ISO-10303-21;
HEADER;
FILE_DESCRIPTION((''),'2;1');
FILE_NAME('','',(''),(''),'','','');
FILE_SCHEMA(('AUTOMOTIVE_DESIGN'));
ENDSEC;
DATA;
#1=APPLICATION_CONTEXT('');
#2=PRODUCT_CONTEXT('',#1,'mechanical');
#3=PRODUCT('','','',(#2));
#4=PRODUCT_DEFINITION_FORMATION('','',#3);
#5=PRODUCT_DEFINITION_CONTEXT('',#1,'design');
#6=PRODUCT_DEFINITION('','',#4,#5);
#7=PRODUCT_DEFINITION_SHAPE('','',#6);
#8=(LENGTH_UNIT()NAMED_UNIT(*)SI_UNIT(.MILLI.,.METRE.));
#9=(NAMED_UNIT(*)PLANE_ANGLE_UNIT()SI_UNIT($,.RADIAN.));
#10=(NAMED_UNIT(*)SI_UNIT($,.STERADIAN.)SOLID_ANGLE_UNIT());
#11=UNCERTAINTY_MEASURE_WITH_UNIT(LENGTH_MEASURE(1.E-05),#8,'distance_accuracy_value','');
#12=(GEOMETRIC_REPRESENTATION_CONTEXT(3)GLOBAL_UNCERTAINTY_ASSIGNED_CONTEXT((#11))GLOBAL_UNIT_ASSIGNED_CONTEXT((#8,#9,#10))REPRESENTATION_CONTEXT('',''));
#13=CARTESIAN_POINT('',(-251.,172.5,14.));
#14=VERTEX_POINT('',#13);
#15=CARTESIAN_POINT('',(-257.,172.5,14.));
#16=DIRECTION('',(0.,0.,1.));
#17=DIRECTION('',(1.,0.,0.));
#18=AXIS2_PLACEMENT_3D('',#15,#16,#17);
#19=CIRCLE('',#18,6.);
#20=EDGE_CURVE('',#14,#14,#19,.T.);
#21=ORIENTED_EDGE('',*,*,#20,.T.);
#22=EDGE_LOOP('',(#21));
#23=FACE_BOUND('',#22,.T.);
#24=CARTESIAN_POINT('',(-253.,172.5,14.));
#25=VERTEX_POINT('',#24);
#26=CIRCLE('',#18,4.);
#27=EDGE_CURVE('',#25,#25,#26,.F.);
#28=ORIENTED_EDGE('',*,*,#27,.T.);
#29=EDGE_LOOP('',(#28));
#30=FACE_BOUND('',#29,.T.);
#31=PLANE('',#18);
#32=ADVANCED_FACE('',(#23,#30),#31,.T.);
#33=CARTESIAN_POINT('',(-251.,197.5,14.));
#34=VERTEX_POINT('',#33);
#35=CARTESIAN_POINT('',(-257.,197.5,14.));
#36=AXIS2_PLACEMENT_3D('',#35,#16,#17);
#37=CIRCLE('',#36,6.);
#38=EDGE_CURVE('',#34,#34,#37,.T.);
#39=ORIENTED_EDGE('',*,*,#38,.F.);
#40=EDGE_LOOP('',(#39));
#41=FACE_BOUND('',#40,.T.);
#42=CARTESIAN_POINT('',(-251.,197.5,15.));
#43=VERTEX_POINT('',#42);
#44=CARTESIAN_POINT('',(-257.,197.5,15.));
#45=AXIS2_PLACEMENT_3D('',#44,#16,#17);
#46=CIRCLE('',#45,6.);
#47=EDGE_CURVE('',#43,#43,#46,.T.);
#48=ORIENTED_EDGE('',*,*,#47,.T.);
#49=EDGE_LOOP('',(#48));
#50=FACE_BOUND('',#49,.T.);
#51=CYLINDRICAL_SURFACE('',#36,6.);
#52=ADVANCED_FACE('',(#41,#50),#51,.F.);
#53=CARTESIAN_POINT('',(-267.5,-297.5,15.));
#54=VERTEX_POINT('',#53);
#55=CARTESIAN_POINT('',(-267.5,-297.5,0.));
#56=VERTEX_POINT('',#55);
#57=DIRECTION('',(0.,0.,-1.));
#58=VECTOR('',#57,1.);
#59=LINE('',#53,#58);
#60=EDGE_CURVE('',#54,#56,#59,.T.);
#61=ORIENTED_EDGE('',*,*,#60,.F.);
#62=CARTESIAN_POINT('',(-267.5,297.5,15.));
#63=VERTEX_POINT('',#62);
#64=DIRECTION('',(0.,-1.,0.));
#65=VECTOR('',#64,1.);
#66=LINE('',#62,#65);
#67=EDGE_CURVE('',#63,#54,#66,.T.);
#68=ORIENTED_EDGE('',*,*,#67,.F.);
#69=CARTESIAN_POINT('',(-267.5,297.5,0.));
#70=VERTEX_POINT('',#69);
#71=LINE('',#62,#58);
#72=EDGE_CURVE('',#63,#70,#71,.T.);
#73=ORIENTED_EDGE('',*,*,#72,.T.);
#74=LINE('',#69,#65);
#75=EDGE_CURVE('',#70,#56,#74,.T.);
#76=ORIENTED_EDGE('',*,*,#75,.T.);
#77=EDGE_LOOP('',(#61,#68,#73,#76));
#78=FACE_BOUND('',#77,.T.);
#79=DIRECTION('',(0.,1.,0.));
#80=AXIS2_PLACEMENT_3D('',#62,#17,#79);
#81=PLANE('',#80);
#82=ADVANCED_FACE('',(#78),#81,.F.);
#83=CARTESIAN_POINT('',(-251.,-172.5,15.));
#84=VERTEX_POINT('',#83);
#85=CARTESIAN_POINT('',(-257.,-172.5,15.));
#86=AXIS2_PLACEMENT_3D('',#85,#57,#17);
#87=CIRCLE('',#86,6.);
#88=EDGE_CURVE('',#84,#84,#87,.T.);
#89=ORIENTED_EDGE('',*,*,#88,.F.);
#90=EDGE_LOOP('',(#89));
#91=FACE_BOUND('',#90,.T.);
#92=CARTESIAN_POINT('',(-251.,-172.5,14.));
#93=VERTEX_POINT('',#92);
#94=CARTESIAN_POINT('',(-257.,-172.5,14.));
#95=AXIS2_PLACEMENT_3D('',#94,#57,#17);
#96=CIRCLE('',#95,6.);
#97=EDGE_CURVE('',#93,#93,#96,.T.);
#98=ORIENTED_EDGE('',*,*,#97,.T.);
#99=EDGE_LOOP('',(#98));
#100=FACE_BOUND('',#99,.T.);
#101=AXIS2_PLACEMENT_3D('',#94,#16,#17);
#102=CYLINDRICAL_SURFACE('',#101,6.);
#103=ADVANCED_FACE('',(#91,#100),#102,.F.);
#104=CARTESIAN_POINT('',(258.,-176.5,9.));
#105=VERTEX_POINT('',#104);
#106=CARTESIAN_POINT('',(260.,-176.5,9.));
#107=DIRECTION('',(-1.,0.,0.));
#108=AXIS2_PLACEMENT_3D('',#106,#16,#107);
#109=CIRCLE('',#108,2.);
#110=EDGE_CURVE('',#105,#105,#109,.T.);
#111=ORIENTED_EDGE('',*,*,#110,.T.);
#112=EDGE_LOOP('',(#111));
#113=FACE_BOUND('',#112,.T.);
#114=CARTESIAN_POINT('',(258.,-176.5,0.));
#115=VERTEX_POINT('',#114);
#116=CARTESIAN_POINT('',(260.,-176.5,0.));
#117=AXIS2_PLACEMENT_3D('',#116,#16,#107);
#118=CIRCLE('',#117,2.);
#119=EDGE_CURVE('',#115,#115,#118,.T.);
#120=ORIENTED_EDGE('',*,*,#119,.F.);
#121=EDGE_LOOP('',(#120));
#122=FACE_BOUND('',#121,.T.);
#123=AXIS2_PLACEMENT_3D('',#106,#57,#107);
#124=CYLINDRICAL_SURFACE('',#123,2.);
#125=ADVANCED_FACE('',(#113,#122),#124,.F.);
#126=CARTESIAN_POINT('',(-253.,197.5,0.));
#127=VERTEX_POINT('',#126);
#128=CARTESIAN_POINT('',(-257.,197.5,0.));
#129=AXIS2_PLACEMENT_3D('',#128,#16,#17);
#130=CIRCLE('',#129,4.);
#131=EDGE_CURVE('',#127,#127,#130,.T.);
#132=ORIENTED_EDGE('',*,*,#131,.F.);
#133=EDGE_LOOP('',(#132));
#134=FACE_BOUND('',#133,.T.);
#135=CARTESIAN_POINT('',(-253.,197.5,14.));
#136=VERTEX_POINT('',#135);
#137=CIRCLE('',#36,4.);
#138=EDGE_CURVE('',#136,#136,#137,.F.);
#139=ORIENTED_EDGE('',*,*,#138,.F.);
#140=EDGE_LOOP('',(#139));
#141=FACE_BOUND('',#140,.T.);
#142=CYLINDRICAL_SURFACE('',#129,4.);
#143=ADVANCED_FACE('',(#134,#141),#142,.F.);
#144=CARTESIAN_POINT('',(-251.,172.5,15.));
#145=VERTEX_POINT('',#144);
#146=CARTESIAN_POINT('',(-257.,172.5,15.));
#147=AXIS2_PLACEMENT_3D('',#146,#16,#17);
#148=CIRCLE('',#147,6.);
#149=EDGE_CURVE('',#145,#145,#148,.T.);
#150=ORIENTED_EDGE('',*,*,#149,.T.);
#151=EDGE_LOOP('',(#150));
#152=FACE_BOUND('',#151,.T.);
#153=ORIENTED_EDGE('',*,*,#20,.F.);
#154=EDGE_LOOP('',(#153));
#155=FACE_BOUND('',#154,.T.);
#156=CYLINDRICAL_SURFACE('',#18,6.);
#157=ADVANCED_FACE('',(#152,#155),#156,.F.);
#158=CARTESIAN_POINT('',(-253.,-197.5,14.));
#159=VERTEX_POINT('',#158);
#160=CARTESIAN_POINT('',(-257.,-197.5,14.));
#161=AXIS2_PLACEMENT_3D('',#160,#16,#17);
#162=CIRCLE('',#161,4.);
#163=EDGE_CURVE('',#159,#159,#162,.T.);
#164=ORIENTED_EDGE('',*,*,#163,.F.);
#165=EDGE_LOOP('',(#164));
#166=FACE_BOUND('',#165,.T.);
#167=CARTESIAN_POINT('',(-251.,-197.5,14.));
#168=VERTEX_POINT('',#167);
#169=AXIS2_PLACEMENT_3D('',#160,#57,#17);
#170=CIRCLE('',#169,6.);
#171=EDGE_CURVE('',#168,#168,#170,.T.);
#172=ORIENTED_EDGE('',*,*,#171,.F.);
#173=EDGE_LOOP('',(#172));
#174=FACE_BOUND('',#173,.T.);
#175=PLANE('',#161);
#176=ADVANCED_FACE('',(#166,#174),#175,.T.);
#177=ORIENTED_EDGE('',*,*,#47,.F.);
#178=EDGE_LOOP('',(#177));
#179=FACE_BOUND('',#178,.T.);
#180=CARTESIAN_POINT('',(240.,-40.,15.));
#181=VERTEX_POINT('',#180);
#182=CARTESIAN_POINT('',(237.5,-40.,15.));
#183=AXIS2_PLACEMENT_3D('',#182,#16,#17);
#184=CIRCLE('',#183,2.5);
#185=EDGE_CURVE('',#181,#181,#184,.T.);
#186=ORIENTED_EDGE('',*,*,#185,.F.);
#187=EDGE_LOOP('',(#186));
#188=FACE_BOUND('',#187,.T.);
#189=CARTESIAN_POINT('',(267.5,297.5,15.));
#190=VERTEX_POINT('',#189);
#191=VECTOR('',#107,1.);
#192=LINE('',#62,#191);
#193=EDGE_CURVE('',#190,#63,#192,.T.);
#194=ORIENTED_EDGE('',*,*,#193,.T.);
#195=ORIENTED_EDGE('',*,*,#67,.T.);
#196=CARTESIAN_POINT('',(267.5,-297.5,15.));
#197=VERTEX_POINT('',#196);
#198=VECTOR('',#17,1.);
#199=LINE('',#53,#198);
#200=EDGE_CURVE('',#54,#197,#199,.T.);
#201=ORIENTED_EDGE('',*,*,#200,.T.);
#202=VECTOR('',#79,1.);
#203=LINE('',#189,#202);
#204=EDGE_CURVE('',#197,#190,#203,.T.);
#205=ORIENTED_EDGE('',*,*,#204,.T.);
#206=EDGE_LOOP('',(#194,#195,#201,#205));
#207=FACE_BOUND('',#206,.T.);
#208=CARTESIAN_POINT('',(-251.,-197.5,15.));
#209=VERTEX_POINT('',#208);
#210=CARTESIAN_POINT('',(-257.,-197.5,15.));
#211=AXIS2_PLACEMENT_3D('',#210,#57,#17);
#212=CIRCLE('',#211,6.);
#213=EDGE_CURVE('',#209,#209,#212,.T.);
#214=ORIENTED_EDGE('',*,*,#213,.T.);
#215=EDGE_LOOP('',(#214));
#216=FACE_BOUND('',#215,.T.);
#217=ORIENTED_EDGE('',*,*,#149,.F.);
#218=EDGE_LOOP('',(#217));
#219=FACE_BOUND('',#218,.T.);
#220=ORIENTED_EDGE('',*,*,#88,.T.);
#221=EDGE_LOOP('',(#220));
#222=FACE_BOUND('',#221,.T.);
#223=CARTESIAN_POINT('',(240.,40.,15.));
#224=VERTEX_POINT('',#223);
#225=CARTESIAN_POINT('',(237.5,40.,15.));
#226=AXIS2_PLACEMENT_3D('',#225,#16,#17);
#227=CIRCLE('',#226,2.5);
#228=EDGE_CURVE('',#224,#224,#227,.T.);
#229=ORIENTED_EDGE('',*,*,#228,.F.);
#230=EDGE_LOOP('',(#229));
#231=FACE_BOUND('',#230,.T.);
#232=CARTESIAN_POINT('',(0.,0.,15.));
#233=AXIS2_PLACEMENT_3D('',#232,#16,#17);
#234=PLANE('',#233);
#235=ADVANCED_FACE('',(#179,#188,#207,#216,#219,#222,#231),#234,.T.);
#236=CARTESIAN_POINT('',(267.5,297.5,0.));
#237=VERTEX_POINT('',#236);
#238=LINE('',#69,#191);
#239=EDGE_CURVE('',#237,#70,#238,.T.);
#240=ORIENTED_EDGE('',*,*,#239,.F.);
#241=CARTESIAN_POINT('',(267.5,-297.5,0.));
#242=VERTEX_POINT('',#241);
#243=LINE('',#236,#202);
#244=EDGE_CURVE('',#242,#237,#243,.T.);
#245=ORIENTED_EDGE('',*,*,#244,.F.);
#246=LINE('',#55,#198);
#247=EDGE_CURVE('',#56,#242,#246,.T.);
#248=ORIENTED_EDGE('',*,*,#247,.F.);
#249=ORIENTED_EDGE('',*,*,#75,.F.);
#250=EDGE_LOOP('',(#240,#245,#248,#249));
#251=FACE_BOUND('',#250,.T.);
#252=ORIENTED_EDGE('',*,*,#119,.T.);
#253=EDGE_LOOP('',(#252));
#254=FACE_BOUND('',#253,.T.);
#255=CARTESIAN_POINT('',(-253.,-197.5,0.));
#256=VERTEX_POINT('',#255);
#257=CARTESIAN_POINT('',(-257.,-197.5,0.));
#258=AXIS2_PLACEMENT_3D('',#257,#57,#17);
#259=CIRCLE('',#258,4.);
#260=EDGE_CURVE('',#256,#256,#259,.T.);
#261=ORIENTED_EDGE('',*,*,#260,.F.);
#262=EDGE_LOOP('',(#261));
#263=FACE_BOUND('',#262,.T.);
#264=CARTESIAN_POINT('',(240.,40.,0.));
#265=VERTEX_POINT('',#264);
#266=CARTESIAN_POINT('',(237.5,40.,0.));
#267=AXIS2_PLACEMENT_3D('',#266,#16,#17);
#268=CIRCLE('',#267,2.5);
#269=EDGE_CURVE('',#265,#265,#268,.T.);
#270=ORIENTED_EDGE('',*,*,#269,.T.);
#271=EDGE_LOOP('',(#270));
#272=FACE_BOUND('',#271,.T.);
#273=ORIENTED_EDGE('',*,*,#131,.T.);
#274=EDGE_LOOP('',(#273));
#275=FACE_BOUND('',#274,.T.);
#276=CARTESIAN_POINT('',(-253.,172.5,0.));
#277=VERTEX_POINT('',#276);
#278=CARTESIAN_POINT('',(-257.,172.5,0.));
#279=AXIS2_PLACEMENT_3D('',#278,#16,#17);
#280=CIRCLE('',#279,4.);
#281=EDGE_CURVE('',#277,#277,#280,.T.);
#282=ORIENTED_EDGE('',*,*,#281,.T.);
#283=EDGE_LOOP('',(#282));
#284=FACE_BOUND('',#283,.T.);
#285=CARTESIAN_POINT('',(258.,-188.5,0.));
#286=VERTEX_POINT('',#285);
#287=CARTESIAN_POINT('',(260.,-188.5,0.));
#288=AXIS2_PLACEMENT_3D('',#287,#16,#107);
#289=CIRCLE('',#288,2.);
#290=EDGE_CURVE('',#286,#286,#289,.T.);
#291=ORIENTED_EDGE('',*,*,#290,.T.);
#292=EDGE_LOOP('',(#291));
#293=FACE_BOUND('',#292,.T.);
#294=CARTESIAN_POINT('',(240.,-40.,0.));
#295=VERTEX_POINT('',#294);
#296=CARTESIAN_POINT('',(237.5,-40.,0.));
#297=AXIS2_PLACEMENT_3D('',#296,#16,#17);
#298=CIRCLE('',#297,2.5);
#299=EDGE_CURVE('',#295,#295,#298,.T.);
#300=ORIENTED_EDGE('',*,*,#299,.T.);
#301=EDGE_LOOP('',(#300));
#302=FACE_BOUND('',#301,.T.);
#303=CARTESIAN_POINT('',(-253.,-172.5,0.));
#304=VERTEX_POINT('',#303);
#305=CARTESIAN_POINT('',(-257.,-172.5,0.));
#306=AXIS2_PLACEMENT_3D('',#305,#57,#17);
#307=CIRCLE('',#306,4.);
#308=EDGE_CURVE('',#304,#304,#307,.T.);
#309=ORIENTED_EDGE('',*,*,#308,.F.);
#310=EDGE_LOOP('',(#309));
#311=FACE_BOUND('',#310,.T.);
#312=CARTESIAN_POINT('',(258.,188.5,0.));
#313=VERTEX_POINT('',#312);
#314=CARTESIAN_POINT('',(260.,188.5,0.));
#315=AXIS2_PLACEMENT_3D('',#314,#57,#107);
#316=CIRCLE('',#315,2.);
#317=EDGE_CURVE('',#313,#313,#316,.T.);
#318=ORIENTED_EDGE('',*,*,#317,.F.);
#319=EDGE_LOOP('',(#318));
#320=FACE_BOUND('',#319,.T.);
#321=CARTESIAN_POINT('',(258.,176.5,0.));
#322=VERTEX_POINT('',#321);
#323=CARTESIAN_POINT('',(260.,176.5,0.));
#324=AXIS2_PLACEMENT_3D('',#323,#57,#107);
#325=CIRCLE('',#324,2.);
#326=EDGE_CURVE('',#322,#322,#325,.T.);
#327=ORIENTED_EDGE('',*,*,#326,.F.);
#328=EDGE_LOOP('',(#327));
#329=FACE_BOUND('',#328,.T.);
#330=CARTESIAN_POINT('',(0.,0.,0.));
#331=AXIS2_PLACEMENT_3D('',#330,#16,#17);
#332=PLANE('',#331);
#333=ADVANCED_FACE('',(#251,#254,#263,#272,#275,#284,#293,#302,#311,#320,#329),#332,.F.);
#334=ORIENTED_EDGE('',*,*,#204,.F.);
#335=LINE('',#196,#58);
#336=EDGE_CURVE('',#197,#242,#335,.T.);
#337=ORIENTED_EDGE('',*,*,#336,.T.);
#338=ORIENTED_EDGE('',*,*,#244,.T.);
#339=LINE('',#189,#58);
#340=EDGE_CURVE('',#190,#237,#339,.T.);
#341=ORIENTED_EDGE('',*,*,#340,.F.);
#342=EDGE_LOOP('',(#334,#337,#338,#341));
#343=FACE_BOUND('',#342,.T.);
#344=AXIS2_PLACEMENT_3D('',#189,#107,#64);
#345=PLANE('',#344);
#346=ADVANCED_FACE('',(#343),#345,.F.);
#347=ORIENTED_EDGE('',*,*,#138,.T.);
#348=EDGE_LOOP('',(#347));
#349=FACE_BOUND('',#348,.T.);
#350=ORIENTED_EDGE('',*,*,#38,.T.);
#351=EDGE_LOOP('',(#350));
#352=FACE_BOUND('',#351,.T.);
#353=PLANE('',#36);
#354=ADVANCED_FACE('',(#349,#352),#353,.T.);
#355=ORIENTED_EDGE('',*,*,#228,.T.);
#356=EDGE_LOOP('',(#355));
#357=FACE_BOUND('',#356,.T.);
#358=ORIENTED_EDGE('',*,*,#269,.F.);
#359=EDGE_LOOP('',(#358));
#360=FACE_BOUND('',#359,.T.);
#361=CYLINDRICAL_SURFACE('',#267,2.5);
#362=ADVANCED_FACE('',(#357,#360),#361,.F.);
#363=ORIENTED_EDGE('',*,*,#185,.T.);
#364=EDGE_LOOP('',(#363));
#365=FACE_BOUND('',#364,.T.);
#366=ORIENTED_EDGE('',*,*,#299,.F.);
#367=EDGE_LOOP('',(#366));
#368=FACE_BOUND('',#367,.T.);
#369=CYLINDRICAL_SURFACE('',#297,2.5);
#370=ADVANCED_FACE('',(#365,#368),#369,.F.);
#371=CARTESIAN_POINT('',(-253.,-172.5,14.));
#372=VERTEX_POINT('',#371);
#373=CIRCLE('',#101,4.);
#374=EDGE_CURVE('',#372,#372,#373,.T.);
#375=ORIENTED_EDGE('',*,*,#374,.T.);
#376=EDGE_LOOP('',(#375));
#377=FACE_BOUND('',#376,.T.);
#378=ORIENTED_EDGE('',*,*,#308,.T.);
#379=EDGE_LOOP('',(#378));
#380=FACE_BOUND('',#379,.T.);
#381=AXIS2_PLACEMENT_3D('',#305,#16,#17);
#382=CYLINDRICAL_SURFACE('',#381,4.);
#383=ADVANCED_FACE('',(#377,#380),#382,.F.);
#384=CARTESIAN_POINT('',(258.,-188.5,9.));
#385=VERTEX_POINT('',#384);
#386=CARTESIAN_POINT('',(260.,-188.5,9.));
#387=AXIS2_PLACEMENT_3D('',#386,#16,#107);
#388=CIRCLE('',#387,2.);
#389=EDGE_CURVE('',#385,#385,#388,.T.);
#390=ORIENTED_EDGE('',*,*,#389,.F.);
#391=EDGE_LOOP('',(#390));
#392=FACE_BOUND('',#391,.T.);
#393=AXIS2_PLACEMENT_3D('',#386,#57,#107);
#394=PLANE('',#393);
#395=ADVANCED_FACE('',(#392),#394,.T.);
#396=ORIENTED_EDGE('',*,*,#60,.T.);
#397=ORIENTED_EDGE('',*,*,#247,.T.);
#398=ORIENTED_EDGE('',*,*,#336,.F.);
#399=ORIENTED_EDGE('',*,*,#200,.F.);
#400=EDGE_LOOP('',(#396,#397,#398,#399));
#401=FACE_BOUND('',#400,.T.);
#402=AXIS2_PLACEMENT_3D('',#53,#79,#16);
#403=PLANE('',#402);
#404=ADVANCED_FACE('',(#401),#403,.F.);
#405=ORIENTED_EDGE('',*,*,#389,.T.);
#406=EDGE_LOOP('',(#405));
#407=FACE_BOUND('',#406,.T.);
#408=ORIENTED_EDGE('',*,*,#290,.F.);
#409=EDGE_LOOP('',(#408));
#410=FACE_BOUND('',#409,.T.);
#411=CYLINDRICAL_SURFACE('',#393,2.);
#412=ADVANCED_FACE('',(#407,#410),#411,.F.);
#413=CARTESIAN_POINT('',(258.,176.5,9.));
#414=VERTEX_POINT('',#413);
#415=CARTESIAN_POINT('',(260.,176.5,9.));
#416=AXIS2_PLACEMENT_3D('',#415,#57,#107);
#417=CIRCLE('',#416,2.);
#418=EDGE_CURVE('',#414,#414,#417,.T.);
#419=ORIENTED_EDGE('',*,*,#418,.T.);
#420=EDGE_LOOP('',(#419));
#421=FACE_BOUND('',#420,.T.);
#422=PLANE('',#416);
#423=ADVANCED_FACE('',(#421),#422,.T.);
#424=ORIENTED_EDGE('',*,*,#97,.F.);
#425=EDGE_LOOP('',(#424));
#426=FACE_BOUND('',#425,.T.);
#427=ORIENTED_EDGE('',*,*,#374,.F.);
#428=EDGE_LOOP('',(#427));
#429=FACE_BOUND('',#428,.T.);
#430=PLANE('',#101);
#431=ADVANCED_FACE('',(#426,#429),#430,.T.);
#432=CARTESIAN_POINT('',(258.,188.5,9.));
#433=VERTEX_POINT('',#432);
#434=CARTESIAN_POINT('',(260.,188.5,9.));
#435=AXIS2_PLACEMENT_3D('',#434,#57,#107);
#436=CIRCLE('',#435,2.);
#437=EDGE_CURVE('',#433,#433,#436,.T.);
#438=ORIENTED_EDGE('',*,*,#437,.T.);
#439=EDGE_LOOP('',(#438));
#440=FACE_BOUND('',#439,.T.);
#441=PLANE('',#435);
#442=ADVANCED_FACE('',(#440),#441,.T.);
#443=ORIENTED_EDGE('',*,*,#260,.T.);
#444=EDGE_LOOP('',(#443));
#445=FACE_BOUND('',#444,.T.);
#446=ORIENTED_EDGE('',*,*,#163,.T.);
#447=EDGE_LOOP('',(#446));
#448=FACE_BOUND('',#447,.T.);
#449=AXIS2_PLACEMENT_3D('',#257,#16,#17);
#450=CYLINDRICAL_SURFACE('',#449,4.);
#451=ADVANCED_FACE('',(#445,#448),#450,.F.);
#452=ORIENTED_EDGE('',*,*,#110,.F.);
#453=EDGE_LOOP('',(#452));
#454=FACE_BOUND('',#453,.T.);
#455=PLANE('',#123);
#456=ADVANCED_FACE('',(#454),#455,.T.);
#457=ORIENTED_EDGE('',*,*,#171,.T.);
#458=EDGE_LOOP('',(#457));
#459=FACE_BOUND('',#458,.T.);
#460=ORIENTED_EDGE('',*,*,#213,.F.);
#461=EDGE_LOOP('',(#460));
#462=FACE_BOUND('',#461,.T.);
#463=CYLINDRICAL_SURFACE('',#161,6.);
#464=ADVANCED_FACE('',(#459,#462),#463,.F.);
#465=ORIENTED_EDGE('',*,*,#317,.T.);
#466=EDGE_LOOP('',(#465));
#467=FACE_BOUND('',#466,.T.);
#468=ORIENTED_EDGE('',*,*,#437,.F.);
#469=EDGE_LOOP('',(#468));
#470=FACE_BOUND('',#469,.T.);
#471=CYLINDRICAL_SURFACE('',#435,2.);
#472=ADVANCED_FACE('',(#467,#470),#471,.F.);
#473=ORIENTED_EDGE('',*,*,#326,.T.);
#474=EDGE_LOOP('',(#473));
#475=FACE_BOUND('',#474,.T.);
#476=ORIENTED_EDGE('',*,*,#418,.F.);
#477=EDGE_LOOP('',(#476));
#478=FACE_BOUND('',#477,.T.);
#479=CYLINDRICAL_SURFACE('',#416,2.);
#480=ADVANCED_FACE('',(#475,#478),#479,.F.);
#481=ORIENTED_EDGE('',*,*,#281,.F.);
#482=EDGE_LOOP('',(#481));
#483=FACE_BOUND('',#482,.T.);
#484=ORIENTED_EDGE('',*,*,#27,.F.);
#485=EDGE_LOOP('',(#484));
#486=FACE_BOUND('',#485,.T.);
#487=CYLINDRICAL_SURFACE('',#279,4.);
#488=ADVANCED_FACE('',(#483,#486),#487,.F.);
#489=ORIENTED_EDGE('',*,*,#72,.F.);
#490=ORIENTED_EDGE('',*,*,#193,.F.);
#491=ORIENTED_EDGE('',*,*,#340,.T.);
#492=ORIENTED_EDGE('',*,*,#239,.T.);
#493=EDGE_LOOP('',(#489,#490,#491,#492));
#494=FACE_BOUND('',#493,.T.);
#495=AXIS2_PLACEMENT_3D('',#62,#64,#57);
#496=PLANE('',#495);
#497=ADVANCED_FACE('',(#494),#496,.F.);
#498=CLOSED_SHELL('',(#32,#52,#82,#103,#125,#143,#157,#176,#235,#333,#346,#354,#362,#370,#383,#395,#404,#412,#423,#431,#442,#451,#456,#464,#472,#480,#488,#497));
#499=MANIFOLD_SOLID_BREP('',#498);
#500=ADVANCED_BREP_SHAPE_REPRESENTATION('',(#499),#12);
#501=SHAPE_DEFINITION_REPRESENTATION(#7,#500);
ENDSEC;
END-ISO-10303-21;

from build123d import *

# Parameters (mm, degrees)
SKETCH_1_W          = 535
SKETCH_1_H          = 595
EXTRUDE_1_DEPTH     = 15
SKETCH_2_R          = 4
CUT_EXTRUDE_2_DEPTH = 16
SKETCH_3_R          = 6
CUT_EXTRUDE_4_DEPTH = 1
SKETCH_4_R          = 2.5
CUT_EXTRUDE_5_DEPTH = 16
SKETCH_5_R          = 2
CUT_EXTRUDE_6_DEPTH = 9


with BuildPart() as part:
    # Sketch 1 → Extrude 1 (new body)
    with BuildSketch(Plane.XY):
        Rectangle(SKETCH_1_W, SKETCH_1_H)
    extrude(amount=EXTRUDE_1_DEPTH)

    # Sketch 2 → Cut-Extrude 2 (cut, through all)
    with BuildSketch(Plane.XY.offset(15)):
        with Locations((-257, 197.5)):
            Circle(SKETCH_2_R)
        with Locations((-257, 172.5)):
            Circle(SKETCH_2_R)
    cut_extrude_2 = extrude(amount=-CUT_EXTRUDE_2_DEPTH, mode=Mode.SUBTRACT)

    # Mirror 2: Cut-Extrude 2 across plane
    add(cut_extrude_2.mirror(Plane.ZX), mode=Mode.SUBTRACT)

    # Sketch 3 → Cut-Extrude 4 (cut)
    with BuildSketch(Plane.XY.offset(15)):
        with Locations((-257, 197.5)):
            Circle(SKETCH_3_R)
        with Locations((-257, 172.5)):
            Circle(SKETCH_3_R)
    cut_extrude_4 = extrude(amount=-CUT_EXTRUDE_4_DEPTH, mode=Mode.SUBTRACT)

    # Mirror 4: Cut-Extrude 4 across plane
    add(cut_extrude_4.mirror(Plane.ZX), mode=Mode.SUBTRACT)

    # Sketch 4 → Cut-Extrude 5 (cut, through all)
    with BuildSketch(Plane.XY.offset(15)):
        with Locations((237.5, 40)):
            Circle(SKETCH_4_R)
        with Locations((237.5, -40)):
            Circle(SKETCH_4_R)
    extrude(amount=-CUT_EXTRUDE_5_DEPTH, mode=Mode.SUBTRACT)

    # Sketch 5 → Cut-Extrude 6 (cut)
    with BuildSketch(Plane(origin=(0, 0, 0), x_dir=(-1, 0, 0), z_dir=(0, 0, -1))):
        with Locations((-260, 188.5)):
            Circle(SKETCH_5_R)
        with Locations((-260, 176.5)):
            Circle(SKETCH_5_R)
    cut_extrude_6 = extrude(amount=-CUT_EXTRUDE_6_DEPTH, mode=Mode.SUBTRACT)

    # Mirror 5: Cut-Extrude 6 across plane
    add(cut_extrude_6.mirror(Plane.ZX), mode=Mode.SUBTRACT)


solid = part.part
